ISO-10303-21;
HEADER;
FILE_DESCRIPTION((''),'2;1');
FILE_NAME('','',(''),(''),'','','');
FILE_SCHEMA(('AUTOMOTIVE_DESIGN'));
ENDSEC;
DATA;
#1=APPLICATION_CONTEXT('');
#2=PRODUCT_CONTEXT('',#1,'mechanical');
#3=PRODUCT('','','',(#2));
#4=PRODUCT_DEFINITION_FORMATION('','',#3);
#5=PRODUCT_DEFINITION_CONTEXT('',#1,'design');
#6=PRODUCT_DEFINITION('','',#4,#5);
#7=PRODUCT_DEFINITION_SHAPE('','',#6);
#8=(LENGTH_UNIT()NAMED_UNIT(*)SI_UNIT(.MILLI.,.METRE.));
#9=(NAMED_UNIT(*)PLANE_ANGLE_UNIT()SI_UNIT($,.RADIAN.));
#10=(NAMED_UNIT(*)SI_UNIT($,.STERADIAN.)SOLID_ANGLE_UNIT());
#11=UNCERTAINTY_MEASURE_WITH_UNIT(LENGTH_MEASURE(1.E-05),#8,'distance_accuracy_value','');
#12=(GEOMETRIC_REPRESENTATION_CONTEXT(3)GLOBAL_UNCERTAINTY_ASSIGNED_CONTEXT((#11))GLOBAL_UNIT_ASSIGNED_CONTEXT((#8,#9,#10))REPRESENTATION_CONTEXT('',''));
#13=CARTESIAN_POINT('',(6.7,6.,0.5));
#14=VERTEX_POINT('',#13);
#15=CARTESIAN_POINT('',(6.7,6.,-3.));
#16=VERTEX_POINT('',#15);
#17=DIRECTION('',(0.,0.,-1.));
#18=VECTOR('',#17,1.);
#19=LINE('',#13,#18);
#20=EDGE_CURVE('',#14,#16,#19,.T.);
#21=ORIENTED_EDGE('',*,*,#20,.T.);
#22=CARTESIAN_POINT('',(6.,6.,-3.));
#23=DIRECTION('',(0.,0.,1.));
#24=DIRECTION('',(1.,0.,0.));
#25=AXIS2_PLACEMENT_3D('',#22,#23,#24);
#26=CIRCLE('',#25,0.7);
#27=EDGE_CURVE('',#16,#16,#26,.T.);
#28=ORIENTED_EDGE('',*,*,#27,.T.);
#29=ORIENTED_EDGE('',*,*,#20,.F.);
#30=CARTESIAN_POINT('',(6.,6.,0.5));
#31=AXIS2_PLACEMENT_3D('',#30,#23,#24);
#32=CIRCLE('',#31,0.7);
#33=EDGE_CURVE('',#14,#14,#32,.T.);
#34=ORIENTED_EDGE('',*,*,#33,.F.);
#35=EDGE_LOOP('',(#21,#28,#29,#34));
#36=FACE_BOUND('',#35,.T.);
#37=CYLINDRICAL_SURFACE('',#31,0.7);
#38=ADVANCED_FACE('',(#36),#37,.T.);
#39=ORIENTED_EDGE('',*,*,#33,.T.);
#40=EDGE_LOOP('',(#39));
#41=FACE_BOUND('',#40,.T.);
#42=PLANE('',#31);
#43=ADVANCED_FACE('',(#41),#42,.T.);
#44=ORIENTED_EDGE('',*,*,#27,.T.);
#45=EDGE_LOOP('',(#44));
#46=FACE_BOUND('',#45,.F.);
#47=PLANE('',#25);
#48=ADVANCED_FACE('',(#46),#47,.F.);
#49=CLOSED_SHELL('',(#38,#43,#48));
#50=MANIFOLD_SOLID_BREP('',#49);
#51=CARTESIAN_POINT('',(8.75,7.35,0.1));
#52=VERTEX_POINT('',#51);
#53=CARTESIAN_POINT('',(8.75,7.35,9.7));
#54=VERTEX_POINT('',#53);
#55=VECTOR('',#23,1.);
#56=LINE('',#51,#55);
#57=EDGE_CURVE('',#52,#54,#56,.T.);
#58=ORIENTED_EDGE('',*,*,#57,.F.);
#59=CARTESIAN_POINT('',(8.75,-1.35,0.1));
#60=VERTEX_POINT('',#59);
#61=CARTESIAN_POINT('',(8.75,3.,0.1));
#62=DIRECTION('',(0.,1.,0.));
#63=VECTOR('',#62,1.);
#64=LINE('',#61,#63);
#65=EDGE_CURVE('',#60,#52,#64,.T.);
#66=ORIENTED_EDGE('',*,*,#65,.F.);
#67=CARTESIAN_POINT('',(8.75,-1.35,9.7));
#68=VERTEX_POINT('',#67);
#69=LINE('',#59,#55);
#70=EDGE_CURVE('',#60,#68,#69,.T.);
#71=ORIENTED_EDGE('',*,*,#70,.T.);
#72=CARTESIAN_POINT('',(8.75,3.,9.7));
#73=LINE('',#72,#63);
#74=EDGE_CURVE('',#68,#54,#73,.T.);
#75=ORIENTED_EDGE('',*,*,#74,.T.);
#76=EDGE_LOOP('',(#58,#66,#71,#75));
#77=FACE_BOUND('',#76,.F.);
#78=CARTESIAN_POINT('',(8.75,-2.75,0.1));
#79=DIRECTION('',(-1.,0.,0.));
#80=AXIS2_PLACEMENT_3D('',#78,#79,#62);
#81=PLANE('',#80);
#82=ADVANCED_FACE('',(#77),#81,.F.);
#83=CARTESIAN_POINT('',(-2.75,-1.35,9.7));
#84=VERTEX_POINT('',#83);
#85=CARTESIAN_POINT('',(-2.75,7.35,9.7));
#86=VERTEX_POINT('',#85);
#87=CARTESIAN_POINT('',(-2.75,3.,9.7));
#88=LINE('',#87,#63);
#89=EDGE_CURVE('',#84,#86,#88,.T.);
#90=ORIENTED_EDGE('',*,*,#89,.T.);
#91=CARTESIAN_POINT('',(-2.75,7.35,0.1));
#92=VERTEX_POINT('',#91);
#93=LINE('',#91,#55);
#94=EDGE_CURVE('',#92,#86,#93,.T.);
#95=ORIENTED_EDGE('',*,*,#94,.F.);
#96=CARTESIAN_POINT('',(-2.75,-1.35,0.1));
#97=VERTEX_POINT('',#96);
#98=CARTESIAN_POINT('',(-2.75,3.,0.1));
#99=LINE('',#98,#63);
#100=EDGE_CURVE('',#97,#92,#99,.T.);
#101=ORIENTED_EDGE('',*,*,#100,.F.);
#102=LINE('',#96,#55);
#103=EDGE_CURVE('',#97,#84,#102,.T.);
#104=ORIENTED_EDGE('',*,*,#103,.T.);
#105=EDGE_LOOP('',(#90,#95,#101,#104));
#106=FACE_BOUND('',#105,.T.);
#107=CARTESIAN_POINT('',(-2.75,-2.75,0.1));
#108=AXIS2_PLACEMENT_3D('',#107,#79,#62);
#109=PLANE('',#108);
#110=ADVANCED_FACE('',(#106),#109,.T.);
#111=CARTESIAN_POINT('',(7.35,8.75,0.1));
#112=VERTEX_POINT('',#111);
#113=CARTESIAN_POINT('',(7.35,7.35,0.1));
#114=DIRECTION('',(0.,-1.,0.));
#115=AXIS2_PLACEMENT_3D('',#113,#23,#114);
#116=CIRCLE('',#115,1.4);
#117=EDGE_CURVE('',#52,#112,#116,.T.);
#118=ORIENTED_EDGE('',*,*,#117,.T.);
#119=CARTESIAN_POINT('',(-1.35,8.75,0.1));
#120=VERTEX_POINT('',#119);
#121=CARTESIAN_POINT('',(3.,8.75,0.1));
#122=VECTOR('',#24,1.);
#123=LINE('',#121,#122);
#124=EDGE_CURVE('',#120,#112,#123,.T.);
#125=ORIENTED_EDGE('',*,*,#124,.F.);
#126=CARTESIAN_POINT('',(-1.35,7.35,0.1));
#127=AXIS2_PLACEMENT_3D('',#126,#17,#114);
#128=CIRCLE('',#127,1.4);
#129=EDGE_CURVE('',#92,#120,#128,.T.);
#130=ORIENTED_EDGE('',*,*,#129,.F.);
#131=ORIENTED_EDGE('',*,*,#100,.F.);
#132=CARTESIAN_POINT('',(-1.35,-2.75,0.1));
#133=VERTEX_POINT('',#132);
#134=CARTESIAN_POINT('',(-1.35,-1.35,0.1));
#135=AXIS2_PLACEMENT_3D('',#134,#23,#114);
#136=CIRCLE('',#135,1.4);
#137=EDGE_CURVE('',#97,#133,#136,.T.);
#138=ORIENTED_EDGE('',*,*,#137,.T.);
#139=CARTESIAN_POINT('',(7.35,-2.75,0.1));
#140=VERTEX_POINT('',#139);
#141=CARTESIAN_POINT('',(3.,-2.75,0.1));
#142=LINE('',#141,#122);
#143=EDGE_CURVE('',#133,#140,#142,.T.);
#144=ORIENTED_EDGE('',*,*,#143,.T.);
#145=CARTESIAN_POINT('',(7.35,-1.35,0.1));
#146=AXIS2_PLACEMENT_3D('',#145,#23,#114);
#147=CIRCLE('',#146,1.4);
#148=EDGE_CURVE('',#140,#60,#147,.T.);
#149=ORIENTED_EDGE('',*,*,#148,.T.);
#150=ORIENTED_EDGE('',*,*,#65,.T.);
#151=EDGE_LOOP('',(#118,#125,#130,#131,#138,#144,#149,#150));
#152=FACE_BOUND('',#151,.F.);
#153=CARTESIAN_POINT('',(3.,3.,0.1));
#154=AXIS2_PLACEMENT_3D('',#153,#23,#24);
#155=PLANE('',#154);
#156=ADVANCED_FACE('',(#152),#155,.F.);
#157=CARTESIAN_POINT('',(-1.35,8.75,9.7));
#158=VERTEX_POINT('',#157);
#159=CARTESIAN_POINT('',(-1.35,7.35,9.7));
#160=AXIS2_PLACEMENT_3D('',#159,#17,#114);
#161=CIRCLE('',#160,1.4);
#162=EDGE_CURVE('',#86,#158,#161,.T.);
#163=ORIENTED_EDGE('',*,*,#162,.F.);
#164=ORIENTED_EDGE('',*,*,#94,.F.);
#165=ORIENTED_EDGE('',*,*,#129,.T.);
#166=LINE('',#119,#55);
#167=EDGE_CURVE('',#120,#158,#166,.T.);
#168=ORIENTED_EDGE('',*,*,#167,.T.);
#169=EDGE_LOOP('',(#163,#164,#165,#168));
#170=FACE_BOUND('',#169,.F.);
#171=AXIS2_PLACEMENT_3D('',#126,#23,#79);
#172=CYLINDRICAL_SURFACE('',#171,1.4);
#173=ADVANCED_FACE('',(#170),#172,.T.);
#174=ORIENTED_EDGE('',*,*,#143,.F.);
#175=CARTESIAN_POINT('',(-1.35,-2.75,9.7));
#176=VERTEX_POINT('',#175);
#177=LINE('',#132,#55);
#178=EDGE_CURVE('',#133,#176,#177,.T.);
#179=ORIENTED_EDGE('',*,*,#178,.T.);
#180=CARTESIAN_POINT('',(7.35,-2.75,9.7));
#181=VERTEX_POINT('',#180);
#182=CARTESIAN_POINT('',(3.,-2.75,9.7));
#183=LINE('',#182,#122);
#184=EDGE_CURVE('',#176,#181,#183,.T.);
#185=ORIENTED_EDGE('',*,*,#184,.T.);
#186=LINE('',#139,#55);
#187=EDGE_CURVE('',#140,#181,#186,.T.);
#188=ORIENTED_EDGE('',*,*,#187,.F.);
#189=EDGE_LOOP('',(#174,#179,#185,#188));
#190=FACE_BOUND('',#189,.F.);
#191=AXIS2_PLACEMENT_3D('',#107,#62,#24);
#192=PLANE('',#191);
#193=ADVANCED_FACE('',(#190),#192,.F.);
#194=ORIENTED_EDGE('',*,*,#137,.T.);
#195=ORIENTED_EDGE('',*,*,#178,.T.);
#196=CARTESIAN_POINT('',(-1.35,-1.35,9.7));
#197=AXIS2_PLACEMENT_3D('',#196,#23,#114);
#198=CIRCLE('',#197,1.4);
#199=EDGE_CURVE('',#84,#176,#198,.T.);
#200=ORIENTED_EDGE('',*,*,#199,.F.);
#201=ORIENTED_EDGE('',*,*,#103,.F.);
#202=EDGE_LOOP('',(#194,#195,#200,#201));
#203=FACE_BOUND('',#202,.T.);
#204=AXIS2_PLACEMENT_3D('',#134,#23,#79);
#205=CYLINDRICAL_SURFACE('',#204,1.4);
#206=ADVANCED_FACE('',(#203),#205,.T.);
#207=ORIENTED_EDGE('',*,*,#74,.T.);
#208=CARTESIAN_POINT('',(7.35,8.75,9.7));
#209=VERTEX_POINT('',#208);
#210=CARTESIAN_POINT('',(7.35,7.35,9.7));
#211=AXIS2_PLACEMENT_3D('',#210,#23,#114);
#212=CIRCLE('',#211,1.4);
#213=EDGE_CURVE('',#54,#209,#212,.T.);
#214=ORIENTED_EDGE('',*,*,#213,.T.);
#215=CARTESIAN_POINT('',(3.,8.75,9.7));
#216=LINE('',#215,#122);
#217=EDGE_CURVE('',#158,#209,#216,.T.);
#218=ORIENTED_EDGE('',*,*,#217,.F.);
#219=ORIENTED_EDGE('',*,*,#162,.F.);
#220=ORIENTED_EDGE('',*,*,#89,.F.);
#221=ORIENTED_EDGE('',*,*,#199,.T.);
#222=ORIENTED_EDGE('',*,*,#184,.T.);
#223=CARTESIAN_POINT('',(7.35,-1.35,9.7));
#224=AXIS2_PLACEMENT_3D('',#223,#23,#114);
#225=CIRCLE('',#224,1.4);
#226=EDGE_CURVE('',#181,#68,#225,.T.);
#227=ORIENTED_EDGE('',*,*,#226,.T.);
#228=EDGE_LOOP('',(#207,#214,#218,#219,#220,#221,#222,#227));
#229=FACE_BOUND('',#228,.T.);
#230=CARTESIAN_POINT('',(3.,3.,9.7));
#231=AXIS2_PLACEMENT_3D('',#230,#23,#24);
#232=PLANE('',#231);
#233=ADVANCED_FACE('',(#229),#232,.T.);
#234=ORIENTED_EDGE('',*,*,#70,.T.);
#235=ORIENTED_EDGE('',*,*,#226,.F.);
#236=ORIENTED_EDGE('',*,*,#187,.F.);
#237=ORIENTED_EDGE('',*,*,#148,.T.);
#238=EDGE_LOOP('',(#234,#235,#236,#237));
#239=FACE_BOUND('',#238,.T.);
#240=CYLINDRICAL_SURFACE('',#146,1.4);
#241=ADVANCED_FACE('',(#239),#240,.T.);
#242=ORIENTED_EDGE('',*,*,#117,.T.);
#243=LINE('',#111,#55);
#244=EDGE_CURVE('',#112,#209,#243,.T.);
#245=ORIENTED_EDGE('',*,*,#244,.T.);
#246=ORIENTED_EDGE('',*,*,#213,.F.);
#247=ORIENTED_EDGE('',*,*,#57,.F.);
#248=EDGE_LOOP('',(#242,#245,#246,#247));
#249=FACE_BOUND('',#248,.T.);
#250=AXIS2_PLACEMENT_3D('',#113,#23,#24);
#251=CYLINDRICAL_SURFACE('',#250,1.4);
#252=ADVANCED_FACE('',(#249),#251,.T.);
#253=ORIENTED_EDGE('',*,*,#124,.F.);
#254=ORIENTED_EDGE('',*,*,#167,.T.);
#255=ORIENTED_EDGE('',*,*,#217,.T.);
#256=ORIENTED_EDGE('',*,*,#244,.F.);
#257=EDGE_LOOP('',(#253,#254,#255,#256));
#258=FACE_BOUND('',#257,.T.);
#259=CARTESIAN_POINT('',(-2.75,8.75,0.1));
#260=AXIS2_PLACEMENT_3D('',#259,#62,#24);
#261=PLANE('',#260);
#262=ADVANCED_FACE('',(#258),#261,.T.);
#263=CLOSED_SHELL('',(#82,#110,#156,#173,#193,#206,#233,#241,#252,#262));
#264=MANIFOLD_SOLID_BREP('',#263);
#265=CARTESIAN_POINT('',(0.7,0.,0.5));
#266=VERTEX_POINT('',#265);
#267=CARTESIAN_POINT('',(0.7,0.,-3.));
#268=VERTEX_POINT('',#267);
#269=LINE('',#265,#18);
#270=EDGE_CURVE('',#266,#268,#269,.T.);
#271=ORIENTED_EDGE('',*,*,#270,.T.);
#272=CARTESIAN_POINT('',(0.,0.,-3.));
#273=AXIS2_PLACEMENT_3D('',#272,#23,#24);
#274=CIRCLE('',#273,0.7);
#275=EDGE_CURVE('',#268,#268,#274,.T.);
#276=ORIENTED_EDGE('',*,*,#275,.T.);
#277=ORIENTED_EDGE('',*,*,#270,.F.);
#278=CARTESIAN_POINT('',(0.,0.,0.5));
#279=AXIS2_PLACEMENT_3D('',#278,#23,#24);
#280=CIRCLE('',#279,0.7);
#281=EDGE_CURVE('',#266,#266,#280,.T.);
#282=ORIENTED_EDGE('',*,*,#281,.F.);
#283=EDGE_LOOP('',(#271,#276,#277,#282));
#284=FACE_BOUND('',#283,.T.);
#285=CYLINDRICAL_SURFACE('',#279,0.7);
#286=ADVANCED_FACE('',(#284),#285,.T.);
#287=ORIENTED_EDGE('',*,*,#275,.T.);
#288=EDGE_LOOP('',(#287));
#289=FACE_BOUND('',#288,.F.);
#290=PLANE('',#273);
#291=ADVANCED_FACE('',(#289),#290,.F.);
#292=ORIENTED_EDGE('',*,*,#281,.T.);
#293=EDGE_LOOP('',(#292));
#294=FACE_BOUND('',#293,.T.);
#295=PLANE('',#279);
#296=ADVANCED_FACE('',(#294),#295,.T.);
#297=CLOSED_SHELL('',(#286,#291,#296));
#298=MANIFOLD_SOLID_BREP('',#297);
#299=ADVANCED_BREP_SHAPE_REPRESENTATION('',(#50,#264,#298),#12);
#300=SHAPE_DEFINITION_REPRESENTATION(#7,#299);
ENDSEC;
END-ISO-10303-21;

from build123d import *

# Parameters (mm, degrees)
SKETCH001_R  = 0.7
PAD001_DEPTH = 3.5
SKETCH_W     = 11.5
SKETCH_H     = 11.5
PAD_DEPTH    = 9.6
FILLET_R     = 1.4


with BuildPart() as pad001:
    # Sketch001 → Pad001 (new body)
    with BuildSketch(Plane.XY.offset(0.5)):
        Circle(SKETCH001_R)
        with Locations((6, 6)):
            Circle(SKETCH001_R)
    extrude(amount=-PAD001_DEPTH)


with BuildPart() as fillet_body:
    # Sketch → Pad (new body)
    with BuildSketch(Plane.XY.offset(0.1)):
        with Locations((3, 3)):
            Rectangle(SKETCH_W, SKETCH_H)
    extrude(amount=PAD_DEPTH)

    # Fillet
    fillet_edges = [fillet_body.edges().sort_by_distance(p)[0] for p in [
        (8.75, -2.75, 4.9),
        (8.75, 8.75, 4.9),
        (-2.75, -2.75, 4.9),
        (-2.75, 8.75, 4.9),
    ]]
    fillet(fillet_edges, radius=FILLET_R)


solid = Compound([pad001.part, fillet_body.part])
